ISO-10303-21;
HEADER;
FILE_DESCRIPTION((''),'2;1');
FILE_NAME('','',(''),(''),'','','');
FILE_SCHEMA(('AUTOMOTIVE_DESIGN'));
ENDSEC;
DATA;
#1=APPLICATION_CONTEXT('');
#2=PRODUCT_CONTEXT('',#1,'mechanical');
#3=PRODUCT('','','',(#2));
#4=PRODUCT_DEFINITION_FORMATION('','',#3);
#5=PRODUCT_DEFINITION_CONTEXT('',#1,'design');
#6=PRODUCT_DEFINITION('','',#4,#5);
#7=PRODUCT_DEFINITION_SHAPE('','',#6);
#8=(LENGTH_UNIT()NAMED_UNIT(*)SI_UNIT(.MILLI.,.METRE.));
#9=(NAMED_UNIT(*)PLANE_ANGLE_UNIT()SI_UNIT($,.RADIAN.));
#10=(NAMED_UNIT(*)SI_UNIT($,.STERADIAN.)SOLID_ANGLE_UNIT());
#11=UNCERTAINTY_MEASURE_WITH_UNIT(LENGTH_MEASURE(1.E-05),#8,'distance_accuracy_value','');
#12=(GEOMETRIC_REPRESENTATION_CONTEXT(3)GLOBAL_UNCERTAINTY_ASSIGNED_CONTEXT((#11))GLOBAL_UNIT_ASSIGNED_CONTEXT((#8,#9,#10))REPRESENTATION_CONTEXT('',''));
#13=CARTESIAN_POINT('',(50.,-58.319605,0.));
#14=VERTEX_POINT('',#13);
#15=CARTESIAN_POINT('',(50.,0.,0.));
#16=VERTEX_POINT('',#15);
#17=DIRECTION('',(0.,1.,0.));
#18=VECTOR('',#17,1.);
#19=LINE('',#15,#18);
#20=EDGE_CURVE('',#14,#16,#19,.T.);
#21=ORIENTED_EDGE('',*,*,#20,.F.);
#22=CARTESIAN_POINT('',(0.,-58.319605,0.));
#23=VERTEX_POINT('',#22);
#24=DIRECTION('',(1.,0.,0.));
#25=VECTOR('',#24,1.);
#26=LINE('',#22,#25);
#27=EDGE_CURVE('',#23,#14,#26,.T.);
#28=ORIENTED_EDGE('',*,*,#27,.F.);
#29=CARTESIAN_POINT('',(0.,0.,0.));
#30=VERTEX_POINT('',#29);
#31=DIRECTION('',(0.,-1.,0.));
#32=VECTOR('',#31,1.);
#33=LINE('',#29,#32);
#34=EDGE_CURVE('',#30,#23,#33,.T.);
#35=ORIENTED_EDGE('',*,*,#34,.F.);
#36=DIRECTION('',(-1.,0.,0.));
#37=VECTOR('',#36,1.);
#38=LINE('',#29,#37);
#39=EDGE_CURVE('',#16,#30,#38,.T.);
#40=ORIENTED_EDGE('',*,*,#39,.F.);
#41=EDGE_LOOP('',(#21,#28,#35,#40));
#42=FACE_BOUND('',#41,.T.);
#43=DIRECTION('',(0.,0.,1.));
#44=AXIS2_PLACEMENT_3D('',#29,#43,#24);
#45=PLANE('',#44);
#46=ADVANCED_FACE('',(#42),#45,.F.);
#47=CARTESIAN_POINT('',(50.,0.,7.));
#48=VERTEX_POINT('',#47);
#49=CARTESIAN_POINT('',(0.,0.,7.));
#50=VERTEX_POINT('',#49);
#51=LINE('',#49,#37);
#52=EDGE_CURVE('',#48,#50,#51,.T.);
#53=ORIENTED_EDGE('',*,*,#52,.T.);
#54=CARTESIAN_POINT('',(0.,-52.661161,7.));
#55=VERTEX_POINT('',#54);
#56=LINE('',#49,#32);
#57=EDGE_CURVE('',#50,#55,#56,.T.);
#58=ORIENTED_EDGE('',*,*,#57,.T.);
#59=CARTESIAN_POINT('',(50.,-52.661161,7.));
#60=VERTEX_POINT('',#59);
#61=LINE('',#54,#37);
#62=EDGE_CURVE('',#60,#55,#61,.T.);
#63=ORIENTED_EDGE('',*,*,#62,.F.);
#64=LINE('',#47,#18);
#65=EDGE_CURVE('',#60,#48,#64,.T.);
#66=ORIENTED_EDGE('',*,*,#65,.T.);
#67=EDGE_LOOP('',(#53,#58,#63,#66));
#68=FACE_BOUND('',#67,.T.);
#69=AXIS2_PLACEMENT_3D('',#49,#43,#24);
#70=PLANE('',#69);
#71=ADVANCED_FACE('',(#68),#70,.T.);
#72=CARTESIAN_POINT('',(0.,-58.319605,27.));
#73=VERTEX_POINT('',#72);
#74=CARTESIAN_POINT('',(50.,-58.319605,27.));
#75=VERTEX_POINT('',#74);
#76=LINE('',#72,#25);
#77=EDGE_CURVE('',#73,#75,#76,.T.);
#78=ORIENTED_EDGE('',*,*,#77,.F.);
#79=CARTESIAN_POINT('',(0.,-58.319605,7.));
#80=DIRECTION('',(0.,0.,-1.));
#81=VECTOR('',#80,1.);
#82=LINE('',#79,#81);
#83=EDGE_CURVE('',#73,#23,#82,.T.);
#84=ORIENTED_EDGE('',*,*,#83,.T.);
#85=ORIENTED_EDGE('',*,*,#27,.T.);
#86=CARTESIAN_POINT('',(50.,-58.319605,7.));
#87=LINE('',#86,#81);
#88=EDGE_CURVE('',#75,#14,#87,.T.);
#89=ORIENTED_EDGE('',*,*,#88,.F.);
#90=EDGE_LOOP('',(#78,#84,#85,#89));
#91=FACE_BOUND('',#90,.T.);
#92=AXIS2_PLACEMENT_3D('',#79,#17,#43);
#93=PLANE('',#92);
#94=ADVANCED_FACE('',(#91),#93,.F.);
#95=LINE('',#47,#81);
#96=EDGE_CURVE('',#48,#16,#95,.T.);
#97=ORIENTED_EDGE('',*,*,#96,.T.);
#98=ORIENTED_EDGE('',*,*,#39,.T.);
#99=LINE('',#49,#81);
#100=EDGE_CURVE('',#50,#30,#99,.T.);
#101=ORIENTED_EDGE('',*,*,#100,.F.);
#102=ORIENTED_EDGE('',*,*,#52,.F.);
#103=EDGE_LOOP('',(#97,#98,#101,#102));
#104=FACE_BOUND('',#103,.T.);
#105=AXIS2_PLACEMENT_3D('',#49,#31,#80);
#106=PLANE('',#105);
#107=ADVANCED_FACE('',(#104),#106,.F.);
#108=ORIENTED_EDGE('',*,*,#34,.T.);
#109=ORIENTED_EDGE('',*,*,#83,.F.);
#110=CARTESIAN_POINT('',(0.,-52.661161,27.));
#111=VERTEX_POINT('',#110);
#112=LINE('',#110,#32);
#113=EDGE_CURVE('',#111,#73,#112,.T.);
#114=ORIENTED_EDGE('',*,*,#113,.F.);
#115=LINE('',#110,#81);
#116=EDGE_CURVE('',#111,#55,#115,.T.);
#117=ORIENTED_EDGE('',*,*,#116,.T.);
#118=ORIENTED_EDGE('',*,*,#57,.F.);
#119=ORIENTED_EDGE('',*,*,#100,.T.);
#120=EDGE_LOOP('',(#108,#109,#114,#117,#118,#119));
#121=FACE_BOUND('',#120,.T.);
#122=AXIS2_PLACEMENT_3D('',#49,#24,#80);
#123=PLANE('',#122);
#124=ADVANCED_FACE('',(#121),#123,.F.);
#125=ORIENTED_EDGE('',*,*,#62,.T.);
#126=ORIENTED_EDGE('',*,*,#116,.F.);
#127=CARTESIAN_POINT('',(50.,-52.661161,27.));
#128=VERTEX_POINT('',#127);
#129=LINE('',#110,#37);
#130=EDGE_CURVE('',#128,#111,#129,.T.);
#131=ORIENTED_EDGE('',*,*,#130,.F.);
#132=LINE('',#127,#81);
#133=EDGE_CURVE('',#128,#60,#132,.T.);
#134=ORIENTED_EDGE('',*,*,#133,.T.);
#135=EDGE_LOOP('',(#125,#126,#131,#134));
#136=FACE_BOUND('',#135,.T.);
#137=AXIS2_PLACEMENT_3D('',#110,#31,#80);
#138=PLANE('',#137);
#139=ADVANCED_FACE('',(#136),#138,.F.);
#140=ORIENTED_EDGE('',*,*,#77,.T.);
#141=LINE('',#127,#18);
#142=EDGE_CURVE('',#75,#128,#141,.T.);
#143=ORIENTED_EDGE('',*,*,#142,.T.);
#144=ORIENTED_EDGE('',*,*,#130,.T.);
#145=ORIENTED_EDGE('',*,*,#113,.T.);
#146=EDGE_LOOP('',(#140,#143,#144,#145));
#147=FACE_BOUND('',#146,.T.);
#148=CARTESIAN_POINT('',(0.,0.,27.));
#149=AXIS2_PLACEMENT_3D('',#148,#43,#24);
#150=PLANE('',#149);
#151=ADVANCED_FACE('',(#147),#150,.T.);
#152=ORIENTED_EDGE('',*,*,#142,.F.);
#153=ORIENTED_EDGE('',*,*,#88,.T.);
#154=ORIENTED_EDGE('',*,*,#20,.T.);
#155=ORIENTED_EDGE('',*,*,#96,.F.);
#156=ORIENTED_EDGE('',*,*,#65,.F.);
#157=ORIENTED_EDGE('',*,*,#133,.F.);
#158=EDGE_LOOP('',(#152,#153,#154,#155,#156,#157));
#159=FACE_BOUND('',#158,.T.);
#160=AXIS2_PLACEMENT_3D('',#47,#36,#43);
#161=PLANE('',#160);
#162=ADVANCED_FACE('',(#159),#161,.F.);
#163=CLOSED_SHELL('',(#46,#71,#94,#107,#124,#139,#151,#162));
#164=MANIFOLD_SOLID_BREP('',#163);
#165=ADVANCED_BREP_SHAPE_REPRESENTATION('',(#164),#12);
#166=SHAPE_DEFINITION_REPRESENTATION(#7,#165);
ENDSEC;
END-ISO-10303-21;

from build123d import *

# Parameters (mm, degrees)
SKETCH2_W           = 50
SKETCH2_H           = 58.319604613
BOSS_EXTRUDE1_DEPTH = 7
SKETCH3_W           = 50
SKETCH3_H           = 5.658443233
BOSS_EXTRUDE2_DEPTH = 20


with BuildPart() as part:
    # Sketch2 → Boss-Extrude1 (new body)
    with BuildSketch(Plane.XY):
        with Locations((25, -29.159802307)):
            Rectangle(SKETCH2_W, SKETCH2_H)
    extrude(amount=BOSS_EXTRUDE1_DEPTH)

    # Sketch3 → Boss-Extrude2 (add)
    with BuildSketch(Plane.XY.offset(7)):
        with Locations((25, -55.490382997)):
            Rectangle(SKETCH3_W, SKETCH3_H)
    extrude(amount=BOSS_EXTRUDE2_DEPTH)


solid = part.part
